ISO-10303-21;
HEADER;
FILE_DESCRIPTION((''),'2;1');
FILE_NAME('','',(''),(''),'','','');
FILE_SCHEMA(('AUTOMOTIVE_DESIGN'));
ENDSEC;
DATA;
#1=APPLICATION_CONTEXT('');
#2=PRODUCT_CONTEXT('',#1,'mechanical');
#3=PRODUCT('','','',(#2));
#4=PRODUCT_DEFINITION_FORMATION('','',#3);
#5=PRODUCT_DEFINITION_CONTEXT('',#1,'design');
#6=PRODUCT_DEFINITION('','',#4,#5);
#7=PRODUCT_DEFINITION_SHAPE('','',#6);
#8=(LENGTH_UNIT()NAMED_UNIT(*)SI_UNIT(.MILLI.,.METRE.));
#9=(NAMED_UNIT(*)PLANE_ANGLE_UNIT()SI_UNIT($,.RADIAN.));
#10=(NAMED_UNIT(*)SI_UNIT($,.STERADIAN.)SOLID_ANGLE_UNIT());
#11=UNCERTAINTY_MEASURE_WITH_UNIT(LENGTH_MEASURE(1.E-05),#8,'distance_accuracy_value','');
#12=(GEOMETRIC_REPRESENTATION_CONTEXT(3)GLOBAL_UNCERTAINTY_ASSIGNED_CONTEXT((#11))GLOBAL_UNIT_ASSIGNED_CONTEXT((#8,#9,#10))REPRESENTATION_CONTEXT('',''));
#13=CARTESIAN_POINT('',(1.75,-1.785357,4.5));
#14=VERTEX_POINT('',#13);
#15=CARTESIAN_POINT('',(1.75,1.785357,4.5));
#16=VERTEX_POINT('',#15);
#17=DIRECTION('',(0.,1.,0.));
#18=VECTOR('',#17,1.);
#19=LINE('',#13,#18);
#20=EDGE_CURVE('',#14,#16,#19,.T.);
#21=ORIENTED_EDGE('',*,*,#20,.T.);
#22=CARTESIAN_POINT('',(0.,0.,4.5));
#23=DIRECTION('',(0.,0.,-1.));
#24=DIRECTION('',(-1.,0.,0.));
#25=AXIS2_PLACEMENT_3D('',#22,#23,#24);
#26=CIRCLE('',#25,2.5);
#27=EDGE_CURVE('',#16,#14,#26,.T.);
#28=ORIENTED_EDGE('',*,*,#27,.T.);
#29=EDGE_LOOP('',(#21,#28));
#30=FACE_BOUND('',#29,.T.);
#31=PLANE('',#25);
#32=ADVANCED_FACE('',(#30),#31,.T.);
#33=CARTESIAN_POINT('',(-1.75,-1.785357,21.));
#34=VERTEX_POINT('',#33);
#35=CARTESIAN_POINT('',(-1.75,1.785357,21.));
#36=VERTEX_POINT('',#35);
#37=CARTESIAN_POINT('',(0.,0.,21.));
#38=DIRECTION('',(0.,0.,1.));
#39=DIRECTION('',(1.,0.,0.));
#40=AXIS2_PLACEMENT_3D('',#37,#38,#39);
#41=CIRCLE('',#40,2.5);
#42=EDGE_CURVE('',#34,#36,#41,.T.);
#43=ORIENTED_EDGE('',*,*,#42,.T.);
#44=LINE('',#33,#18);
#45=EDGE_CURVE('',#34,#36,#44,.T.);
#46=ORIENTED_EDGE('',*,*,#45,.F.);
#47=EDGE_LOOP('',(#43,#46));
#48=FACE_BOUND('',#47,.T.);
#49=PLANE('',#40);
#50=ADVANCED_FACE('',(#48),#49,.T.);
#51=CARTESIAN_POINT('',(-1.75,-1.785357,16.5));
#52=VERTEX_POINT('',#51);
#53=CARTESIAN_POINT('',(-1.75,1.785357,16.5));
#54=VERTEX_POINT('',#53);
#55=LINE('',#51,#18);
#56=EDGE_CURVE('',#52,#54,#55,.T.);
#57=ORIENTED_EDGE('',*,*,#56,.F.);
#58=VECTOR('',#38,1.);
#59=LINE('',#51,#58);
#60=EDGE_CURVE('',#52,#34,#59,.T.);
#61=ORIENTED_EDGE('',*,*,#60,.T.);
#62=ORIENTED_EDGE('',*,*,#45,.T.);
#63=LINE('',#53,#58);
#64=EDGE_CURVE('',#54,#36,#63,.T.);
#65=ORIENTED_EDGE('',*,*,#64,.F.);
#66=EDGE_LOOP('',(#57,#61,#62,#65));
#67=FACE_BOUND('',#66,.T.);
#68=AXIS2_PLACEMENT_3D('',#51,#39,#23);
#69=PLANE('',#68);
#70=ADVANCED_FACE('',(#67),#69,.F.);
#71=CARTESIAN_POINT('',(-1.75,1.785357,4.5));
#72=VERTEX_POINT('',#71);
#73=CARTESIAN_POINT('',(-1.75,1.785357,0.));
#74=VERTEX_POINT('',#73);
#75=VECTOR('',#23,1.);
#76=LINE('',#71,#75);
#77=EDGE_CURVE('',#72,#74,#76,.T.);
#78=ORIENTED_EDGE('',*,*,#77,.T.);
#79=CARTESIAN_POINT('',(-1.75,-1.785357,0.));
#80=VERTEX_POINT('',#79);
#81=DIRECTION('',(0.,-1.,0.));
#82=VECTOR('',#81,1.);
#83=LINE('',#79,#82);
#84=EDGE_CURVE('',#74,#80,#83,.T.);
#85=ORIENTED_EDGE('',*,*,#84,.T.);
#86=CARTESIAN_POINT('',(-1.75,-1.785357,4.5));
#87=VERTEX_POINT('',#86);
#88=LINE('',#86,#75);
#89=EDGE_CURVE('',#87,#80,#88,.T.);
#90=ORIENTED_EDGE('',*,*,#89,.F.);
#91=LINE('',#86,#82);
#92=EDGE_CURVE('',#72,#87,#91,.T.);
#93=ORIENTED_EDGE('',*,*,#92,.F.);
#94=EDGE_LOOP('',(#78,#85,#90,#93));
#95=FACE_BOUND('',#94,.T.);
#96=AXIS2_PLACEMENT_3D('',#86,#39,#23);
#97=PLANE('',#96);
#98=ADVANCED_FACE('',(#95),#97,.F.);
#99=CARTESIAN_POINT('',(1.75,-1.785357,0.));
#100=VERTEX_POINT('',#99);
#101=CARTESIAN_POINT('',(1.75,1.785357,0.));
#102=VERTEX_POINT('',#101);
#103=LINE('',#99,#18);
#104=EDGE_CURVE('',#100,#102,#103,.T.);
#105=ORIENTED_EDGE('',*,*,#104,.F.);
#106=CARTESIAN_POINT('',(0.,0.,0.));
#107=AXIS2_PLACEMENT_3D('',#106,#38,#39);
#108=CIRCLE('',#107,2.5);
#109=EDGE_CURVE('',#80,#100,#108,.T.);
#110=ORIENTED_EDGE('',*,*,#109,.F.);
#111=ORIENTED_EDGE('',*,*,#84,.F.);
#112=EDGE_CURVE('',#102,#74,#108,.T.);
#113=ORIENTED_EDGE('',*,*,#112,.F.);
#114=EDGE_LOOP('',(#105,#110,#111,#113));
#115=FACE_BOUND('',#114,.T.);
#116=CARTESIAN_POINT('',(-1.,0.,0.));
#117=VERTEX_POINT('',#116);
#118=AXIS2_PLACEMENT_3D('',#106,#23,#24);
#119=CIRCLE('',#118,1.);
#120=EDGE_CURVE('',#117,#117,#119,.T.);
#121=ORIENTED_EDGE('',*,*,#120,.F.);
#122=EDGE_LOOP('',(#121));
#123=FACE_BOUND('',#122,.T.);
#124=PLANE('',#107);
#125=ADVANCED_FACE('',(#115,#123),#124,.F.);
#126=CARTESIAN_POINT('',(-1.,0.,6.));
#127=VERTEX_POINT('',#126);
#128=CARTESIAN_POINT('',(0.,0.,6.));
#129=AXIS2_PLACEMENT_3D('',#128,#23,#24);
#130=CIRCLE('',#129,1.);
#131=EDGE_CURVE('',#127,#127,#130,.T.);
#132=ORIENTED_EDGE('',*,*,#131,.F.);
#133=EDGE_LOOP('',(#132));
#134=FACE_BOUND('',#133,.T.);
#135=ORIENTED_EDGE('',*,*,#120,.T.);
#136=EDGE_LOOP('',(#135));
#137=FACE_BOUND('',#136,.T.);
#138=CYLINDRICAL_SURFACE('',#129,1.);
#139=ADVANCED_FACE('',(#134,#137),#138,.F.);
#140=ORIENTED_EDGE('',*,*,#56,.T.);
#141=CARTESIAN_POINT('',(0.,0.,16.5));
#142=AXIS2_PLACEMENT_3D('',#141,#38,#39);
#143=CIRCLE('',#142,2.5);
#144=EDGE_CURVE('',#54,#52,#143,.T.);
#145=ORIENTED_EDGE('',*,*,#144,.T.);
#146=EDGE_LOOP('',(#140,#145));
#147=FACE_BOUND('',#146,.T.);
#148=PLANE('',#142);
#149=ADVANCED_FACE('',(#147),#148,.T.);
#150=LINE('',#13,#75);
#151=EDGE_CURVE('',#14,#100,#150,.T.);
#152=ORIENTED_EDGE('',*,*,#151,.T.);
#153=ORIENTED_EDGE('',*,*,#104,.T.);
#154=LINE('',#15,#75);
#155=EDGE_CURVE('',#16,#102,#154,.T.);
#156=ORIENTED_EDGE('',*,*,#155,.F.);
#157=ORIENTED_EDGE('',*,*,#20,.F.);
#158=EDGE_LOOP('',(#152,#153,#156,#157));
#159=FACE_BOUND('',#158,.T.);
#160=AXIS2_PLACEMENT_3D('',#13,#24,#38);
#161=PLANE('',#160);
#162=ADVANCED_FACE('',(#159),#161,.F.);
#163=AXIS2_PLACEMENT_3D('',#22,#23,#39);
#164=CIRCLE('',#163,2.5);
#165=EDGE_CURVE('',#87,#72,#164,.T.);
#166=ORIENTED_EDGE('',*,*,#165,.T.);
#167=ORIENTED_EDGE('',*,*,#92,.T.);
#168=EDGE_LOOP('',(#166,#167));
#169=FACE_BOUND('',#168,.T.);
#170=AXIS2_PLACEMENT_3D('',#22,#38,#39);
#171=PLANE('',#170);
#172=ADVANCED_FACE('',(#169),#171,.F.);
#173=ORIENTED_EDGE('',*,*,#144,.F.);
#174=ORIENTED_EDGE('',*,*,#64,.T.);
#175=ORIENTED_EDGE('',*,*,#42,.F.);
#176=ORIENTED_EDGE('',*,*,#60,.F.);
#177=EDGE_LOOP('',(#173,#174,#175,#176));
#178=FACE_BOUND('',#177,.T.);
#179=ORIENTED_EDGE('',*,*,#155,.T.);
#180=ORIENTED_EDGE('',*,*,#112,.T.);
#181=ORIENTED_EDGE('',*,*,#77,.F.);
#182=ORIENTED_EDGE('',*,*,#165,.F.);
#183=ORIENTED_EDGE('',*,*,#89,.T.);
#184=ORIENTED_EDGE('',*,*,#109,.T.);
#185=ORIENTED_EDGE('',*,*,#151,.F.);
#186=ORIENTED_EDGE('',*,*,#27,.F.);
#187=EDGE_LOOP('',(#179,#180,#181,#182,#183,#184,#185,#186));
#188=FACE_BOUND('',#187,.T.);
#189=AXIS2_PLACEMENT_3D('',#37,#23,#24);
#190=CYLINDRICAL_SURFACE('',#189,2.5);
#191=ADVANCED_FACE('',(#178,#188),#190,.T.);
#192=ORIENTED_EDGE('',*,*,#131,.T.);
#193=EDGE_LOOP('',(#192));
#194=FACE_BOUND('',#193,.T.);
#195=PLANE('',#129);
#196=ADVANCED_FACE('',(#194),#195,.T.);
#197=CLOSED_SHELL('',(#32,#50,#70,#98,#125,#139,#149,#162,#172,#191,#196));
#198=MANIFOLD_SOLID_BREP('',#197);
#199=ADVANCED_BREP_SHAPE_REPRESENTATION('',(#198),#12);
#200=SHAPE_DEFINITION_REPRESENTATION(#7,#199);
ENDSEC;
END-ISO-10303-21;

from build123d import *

# Parameters (mm, degrees)
SKETCH1_R           = 2.5
BOSS_EXTRUDE1_DEPTH = 21
CUT_EXTRUDE2_DEPTH  = 4.5
SKETCH3_R           = 1
CUT_EXTRUDE3_DEPTH  = 6
CUT_EXTRUDE4_START  = -4.5
CUT_EXTRUDE4_DEPTH  = 4.5


with BuildPart() as part:
    # Sketch1 → Boss-Extrude1 (new body)
    with BuildSketch(Plane.XY):
        with Locations(Location((0, 0, 0), (0, 0, 180))):
            Circle(SKETCH1_R)
    extrude(amount=BOSS_EXTRUDE1_DEPTH)

    # Sketch2 → Cut-Extrude2 (cut)
    with BuildSketch(Plane(origin=(0, 0, 0), x_dir=(-1, 0, 0), z_dir=(0, 0, -1))):
        with BuildLine():
            Line((-1.75, -1.785357107), (-1.75, 1.785357107))
            ThreePointArc((-1.75, 1.785357107), (-2.5, 0), (-1.75, -1.785357107))
        make_face()
        with BuildLine():
            Line((1.75, -1.785357107), (1.75, 1.785357107))
            ThreePointArc((1.75, 1.785357107), (2.5, 0), (1.75, -1.785357107))
        make_face()
    extrude(amount=-CUT_EXTRUDE2_DEPTH, mode=Mode.SUBTRACT)

    # Sketch3 → Cut-Extrude3 (cut)
    with BuildSketch(Plane(origin=(0, 0, 0), x_dir=(-1, 0, 0), z_dir=(0, 0, -1))):
        Circle(SKETCH3_R)
    extrude(amount=-CUT_EXTRUDE3_DEPTH, mode=Mode.SUBTRACT)

    # Sketch4 → Cut-Extrude4 (cut)
    with BuildSketch(Plane.XY.offset(21).offset(CUT_EXTRUDE4_START)):
        with BuildLine():
            Line((-1.75, -1.785357107), (-1.75, 1.785357107))
            ThreePointArc((-1.75, 1.785357107), (-2.5, 0), (-1.75, -1.785357107))
        make_face()
    extrude(amount=CUT_EXTRUDE4_DEPTH, mode=Mode.SUBTRACT)


solid = part.part
